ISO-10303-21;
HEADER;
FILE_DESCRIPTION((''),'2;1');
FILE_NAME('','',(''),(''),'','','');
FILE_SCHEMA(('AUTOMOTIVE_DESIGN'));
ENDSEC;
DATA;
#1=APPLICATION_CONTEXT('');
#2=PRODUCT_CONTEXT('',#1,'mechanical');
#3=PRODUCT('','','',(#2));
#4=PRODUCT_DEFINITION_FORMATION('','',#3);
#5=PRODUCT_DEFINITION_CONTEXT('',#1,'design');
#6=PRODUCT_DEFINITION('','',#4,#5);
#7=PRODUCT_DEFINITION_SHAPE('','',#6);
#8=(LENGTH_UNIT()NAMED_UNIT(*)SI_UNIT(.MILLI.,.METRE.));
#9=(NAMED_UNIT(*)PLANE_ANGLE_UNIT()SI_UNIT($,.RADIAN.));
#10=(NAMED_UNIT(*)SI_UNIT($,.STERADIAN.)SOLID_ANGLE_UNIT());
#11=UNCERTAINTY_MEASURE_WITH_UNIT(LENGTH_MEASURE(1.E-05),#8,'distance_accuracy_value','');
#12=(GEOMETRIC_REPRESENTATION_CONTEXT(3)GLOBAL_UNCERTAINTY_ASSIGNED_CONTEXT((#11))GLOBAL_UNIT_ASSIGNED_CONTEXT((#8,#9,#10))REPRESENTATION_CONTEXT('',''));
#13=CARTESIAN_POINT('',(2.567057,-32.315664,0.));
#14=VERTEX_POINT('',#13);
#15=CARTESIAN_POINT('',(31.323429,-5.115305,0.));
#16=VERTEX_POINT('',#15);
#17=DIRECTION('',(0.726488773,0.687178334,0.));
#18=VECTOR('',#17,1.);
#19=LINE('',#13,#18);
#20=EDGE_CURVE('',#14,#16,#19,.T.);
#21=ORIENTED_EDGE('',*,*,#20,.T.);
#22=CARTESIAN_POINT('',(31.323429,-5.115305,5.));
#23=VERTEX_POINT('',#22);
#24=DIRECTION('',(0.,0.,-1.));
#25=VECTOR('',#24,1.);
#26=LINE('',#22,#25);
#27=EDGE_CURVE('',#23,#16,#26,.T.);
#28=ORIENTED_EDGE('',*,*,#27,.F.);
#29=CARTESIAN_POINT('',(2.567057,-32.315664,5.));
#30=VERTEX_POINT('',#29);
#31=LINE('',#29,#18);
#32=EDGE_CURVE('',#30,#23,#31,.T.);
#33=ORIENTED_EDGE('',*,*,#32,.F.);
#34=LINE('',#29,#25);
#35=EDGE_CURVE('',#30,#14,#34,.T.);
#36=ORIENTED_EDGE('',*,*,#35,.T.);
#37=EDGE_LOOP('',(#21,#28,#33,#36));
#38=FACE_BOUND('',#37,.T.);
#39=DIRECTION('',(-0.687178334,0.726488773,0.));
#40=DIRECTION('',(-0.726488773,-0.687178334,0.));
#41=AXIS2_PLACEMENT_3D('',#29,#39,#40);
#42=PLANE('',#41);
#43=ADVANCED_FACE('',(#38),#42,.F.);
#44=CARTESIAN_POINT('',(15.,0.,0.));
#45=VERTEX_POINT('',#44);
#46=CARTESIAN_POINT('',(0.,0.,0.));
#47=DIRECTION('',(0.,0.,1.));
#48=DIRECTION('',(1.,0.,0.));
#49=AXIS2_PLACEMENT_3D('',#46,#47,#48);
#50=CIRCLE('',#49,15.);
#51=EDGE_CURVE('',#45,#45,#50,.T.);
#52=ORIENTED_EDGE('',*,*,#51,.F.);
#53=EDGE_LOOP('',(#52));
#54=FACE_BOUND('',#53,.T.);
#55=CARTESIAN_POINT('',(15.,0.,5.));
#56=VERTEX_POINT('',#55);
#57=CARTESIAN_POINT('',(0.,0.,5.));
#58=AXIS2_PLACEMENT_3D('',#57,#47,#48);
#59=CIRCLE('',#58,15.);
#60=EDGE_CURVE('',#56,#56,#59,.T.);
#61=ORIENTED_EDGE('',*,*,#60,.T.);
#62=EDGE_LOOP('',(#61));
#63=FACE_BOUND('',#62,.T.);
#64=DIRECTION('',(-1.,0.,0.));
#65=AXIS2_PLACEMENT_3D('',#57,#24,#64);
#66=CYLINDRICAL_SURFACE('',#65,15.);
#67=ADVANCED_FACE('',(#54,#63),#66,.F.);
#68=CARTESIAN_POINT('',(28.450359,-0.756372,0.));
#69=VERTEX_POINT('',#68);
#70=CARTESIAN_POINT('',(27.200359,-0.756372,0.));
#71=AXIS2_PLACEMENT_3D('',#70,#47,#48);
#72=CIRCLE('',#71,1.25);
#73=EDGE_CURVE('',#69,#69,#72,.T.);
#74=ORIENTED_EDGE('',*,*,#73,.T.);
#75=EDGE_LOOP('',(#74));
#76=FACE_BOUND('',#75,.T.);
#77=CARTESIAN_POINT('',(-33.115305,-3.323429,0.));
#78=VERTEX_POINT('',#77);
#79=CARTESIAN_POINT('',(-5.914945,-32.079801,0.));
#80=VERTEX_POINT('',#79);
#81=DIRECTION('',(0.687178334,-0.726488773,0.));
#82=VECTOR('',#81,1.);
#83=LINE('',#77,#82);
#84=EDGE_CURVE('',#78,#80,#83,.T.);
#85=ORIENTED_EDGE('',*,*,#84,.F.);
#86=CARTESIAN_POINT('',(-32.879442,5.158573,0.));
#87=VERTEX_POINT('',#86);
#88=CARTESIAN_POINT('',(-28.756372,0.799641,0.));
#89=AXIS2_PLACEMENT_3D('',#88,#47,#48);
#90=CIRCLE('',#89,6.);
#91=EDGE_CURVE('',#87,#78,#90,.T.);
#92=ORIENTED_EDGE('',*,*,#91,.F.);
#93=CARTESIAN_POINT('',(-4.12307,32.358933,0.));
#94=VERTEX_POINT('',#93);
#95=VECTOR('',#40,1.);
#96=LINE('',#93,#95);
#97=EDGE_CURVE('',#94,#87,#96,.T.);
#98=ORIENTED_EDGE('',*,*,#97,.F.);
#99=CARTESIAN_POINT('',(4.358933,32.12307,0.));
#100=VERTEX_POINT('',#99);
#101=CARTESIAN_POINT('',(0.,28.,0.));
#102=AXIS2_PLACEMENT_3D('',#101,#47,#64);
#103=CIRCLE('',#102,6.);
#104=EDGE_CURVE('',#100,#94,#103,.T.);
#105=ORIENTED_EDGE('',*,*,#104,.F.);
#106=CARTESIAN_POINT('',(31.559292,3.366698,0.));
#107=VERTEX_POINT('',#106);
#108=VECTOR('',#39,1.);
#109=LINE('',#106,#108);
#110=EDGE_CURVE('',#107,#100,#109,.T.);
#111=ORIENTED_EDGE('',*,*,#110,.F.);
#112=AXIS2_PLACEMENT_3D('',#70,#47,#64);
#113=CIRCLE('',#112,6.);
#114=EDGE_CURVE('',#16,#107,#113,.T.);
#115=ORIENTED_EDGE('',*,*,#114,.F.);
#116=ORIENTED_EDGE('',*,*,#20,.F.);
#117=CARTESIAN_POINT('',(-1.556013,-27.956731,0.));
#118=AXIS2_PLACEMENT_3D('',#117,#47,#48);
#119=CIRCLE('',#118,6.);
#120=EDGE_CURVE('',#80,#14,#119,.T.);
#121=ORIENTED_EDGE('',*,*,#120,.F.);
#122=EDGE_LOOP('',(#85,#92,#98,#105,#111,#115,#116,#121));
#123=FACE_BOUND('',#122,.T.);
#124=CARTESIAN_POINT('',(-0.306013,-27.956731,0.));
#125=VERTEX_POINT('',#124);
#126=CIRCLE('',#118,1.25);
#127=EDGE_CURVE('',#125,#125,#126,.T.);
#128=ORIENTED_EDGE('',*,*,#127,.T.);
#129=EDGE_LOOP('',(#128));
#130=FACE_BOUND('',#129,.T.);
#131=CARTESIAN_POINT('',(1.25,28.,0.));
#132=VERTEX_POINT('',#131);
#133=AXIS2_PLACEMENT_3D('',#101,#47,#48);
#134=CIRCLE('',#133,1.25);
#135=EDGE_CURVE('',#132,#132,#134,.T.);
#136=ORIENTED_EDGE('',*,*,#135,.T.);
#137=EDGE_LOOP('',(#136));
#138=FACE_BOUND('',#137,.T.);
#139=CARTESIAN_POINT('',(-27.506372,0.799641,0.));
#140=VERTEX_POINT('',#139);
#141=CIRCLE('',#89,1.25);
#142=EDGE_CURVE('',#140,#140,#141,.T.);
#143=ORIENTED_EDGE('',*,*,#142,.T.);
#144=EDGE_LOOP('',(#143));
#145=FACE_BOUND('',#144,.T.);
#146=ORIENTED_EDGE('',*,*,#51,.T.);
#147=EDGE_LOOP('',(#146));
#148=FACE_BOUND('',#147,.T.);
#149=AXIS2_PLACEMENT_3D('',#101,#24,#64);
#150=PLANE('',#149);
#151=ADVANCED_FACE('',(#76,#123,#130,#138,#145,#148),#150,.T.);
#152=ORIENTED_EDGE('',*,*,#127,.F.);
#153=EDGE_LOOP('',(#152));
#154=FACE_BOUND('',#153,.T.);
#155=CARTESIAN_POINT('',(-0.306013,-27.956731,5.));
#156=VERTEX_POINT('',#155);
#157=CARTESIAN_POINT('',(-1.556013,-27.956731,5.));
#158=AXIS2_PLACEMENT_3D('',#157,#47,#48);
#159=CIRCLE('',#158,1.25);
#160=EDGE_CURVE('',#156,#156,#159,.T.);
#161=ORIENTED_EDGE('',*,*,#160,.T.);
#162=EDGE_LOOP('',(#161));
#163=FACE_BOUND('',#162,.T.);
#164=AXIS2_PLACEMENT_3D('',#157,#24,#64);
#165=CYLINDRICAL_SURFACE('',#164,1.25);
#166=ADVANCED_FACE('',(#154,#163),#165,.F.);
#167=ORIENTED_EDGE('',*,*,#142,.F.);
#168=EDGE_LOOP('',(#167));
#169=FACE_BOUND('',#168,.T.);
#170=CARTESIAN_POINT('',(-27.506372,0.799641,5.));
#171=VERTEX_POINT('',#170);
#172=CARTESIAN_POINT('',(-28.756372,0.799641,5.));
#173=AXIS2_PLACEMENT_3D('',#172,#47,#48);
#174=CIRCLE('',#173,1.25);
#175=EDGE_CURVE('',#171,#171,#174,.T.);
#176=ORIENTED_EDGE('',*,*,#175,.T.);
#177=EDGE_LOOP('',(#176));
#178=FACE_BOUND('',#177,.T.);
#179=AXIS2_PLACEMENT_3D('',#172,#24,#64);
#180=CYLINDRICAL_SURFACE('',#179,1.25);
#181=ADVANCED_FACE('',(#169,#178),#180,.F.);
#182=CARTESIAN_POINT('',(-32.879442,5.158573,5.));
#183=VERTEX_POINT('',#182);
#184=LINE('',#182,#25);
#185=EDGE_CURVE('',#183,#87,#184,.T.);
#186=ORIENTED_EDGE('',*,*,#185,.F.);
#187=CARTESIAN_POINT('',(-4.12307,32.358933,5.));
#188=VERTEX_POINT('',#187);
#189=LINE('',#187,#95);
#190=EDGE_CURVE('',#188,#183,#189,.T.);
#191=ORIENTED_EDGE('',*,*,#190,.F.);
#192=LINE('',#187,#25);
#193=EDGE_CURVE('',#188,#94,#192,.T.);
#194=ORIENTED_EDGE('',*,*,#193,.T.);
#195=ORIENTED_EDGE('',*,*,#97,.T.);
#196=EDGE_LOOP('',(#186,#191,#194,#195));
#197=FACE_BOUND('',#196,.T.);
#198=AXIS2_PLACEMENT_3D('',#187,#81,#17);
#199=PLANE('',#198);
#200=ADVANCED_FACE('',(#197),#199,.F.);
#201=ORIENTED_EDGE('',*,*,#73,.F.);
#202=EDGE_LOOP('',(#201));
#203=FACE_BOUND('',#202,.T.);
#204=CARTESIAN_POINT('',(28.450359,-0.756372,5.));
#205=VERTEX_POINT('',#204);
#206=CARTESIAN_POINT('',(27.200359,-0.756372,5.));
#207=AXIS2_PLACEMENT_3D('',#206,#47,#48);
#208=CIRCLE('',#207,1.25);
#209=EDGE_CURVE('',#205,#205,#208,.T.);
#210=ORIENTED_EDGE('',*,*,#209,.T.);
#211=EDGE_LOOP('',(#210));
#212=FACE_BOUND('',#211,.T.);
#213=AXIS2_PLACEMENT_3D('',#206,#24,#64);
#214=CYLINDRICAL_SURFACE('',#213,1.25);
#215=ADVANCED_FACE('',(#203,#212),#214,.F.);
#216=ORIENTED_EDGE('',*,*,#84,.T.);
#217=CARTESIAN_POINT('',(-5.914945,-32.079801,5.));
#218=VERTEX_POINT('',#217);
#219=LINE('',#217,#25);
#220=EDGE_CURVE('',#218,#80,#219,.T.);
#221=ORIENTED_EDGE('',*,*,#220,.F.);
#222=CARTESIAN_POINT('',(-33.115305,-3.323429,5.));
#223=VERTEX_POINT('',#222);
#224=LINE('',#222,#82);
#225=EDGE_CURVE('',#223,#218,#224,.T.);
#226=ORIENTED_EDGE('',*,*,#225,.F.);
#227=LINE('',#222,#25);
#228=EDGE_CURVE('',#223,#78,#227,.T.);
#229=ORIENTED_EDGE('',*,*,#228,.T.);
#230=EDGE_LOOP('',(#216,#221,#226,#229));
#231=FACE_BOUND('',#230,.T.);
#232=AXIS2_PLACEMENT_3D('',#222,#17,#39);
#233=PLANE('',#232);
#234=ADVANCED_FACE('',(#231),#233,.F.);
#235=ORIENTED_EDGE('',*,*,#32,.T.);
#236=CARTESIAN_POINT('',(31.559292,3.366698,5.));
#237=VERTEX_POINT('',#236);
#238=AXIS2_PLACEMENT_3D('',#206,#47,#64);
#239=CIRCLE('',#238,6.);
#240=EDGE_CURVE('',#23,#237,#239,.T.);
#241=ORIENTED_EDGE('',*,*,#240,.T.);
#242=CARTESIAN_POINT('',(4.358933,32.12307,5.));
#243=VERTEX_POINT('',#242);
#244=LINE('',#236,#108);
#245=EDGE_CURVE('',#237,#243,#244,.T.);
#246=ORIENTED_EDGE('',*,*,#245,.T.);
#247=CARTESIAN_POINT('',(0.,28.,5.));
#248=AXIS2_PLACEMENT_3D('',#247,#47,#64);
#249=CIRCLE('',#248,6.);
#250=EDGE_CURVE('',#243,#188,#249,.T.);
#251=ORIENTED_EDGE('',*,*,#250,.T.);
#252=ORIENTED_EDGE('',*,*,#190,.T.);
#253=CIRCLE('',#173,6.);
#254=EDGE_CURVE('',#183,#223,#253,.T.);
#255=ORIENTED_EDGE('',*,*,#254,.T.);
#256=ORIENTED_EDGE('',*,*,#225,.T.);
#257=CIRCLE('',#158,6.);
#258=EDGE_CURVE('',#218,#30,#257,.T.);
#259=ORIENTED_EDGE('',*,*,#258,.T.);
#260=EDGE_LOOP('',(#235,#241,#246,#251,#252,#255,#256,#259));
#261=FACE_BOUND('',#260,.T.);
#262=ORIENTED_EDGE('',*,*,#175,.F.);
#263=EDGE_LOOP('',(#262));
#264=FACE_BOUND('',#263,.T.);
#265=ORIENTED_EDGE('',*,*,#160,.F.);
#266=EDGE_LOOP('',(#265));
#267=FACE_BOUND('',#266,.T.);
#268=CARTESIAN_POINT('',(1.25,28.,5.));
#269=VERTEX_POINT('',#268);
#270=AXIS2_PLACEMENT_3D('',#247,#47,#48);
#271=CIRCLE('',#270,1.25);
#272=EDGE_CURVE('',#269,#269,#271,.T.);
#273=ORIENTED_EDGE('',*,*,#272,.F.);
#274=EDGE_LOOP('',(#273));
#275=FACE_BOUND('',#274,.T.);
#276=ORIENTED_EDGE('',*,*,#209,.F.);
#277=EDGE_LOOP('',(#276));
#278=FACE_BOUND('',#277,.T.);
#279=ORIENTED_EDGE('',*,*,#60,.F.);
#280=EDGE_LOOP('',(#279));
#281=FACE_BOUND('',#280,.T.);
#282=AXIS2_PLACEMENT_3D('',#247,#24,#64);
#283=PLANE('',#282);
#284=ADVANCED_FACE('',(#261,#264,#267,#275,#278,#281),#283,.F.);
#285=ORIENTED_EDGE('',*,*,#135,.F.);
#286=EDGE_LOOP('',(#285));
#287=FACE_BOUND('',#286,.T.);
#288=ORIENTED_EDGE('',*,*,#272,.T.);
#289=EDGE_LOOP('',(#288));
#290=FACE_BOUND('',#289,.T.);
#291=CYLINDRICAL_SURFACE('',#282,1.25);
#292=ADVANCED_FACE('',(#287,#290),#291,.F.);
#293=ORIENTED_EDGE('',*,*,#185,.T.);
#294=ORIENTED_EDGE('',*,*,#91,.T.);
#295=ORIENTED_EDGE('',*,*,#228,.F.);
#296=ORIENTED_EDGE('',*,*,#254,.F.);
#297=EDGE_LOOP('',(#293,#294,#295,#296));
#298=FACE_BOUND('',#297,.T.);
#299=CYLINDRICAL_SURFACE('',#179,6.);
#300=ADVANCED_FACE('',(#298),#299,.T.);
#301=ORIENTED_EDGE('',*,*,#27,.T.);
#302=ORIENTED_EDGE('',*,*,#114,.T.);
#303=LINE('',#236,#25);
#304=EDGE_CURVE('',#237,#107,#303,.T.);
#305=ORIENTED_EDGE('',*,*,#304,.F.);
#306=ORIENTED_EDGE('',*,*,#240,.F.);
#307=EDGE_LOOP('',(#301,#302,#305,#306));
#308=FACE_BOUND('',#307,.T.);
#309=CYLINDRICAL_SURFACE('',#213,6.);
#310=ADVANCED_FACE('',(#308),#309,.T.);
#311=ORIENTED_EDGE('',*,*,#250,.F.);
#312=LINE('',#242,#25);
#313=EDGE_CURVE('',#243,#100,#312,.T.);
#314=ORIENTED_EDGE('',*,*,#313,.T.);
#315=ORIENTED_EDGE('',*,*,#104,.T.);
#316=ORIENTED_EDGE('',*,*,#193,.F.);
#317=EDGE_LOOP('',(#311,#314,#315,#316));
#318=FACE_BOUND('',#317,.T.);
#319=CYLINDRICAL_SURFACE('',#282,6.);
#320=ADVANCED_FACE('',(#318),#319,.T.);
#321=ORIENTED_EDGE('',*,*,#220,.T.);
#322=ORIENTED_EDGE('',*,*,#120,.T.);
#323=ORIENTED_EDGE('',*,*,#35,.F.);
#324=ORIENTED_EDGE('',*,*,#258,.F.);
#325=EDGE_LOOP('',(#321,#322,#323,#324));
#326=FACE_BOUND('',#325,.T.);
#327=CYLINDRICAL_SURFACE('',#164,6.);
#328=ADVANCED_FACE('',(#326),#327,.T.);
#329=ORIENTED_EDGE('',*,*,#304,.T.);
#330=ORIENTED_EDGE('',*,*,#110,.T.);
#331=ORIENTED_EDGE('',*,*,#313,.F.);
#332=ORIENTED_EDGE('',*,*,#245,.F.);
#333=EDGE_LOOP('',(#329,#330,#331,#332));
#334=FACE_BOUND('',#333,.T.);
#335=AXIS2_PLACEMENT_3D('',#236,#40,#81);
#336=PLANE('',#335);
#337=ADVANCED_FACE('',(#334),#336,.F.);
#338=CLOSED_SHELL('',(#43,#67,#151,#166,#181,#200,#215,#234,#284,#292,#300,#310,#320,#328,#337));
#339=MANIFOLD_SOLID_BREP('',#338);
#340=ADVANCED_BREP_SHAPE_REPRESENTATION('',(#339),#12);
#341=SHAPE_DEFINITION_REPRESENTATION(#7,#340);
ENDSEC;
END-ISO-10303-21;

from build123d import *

# Parameters (mm, degrees)
SKETCH1_R           = 15
SKETCH1_R_2         = 1.25
BOSS_EXTRUDE1_DEPTH = 5


with BuildPart() as part:
    # Sketch1 → Boss-Extrude1 (new body)
    with BuildSketch(Plane.XY):
        with BuildLine():
            Line((-33.115304549, -3.323429394), (-5.914945157, -32.079801303))
            ThreePointArc((-5.914945157, -32.079801303), (-1.722792588, -33.954412887), (2.567057485, -32.315663941))
            Line((2.567057485, -32.315663941), (31.323429394, -5.115304549))
            ThreePointArc((31.323429394, -5.115304549), (33.198040978, -0.92315198), (31.559292032, 3.366698093))
            Line((31.559292032, 3.366698093), (4.35893264, 32.123070002))
            ThreePointArc((4.35893264, 32.123070002), (0.166780071, 33.997681586), (-4.123070002, 32.35893264))
            Line((-4.123070002, 32.35893264), (-32.879441911, 5.158573248))
            ThreePointArc((-32.879441911, 5.158573248), (-34.754053495, 0.966420679), (-33.115304549, -3.323429394))
        make_face()
        Circle(SKETCH1_R, mode=Mode.SUBTRACT)
        with Locations((0, 28)):
            Circle(SKETCH1_R_2, mode=Mode.SUBTRACT)
        with Locations((27.200359392, -0.756371909)):
            Circle(SKETCH1_R_2, mode=Mode.SUBTRACT)
        with Locations((-1.556012517, -27.956731301)):
            Circle(SKETCH1_R_2, mode=Mode.SUBTRACT)
        with Locations((-28.756371909, 0.799640608)):
            Circle(SKETCH1_R_2, mode=Mode.SUBTRACT)
    extrude(amount=BOSS_EXTRUDE1_DEPTH)


solid = part.part
